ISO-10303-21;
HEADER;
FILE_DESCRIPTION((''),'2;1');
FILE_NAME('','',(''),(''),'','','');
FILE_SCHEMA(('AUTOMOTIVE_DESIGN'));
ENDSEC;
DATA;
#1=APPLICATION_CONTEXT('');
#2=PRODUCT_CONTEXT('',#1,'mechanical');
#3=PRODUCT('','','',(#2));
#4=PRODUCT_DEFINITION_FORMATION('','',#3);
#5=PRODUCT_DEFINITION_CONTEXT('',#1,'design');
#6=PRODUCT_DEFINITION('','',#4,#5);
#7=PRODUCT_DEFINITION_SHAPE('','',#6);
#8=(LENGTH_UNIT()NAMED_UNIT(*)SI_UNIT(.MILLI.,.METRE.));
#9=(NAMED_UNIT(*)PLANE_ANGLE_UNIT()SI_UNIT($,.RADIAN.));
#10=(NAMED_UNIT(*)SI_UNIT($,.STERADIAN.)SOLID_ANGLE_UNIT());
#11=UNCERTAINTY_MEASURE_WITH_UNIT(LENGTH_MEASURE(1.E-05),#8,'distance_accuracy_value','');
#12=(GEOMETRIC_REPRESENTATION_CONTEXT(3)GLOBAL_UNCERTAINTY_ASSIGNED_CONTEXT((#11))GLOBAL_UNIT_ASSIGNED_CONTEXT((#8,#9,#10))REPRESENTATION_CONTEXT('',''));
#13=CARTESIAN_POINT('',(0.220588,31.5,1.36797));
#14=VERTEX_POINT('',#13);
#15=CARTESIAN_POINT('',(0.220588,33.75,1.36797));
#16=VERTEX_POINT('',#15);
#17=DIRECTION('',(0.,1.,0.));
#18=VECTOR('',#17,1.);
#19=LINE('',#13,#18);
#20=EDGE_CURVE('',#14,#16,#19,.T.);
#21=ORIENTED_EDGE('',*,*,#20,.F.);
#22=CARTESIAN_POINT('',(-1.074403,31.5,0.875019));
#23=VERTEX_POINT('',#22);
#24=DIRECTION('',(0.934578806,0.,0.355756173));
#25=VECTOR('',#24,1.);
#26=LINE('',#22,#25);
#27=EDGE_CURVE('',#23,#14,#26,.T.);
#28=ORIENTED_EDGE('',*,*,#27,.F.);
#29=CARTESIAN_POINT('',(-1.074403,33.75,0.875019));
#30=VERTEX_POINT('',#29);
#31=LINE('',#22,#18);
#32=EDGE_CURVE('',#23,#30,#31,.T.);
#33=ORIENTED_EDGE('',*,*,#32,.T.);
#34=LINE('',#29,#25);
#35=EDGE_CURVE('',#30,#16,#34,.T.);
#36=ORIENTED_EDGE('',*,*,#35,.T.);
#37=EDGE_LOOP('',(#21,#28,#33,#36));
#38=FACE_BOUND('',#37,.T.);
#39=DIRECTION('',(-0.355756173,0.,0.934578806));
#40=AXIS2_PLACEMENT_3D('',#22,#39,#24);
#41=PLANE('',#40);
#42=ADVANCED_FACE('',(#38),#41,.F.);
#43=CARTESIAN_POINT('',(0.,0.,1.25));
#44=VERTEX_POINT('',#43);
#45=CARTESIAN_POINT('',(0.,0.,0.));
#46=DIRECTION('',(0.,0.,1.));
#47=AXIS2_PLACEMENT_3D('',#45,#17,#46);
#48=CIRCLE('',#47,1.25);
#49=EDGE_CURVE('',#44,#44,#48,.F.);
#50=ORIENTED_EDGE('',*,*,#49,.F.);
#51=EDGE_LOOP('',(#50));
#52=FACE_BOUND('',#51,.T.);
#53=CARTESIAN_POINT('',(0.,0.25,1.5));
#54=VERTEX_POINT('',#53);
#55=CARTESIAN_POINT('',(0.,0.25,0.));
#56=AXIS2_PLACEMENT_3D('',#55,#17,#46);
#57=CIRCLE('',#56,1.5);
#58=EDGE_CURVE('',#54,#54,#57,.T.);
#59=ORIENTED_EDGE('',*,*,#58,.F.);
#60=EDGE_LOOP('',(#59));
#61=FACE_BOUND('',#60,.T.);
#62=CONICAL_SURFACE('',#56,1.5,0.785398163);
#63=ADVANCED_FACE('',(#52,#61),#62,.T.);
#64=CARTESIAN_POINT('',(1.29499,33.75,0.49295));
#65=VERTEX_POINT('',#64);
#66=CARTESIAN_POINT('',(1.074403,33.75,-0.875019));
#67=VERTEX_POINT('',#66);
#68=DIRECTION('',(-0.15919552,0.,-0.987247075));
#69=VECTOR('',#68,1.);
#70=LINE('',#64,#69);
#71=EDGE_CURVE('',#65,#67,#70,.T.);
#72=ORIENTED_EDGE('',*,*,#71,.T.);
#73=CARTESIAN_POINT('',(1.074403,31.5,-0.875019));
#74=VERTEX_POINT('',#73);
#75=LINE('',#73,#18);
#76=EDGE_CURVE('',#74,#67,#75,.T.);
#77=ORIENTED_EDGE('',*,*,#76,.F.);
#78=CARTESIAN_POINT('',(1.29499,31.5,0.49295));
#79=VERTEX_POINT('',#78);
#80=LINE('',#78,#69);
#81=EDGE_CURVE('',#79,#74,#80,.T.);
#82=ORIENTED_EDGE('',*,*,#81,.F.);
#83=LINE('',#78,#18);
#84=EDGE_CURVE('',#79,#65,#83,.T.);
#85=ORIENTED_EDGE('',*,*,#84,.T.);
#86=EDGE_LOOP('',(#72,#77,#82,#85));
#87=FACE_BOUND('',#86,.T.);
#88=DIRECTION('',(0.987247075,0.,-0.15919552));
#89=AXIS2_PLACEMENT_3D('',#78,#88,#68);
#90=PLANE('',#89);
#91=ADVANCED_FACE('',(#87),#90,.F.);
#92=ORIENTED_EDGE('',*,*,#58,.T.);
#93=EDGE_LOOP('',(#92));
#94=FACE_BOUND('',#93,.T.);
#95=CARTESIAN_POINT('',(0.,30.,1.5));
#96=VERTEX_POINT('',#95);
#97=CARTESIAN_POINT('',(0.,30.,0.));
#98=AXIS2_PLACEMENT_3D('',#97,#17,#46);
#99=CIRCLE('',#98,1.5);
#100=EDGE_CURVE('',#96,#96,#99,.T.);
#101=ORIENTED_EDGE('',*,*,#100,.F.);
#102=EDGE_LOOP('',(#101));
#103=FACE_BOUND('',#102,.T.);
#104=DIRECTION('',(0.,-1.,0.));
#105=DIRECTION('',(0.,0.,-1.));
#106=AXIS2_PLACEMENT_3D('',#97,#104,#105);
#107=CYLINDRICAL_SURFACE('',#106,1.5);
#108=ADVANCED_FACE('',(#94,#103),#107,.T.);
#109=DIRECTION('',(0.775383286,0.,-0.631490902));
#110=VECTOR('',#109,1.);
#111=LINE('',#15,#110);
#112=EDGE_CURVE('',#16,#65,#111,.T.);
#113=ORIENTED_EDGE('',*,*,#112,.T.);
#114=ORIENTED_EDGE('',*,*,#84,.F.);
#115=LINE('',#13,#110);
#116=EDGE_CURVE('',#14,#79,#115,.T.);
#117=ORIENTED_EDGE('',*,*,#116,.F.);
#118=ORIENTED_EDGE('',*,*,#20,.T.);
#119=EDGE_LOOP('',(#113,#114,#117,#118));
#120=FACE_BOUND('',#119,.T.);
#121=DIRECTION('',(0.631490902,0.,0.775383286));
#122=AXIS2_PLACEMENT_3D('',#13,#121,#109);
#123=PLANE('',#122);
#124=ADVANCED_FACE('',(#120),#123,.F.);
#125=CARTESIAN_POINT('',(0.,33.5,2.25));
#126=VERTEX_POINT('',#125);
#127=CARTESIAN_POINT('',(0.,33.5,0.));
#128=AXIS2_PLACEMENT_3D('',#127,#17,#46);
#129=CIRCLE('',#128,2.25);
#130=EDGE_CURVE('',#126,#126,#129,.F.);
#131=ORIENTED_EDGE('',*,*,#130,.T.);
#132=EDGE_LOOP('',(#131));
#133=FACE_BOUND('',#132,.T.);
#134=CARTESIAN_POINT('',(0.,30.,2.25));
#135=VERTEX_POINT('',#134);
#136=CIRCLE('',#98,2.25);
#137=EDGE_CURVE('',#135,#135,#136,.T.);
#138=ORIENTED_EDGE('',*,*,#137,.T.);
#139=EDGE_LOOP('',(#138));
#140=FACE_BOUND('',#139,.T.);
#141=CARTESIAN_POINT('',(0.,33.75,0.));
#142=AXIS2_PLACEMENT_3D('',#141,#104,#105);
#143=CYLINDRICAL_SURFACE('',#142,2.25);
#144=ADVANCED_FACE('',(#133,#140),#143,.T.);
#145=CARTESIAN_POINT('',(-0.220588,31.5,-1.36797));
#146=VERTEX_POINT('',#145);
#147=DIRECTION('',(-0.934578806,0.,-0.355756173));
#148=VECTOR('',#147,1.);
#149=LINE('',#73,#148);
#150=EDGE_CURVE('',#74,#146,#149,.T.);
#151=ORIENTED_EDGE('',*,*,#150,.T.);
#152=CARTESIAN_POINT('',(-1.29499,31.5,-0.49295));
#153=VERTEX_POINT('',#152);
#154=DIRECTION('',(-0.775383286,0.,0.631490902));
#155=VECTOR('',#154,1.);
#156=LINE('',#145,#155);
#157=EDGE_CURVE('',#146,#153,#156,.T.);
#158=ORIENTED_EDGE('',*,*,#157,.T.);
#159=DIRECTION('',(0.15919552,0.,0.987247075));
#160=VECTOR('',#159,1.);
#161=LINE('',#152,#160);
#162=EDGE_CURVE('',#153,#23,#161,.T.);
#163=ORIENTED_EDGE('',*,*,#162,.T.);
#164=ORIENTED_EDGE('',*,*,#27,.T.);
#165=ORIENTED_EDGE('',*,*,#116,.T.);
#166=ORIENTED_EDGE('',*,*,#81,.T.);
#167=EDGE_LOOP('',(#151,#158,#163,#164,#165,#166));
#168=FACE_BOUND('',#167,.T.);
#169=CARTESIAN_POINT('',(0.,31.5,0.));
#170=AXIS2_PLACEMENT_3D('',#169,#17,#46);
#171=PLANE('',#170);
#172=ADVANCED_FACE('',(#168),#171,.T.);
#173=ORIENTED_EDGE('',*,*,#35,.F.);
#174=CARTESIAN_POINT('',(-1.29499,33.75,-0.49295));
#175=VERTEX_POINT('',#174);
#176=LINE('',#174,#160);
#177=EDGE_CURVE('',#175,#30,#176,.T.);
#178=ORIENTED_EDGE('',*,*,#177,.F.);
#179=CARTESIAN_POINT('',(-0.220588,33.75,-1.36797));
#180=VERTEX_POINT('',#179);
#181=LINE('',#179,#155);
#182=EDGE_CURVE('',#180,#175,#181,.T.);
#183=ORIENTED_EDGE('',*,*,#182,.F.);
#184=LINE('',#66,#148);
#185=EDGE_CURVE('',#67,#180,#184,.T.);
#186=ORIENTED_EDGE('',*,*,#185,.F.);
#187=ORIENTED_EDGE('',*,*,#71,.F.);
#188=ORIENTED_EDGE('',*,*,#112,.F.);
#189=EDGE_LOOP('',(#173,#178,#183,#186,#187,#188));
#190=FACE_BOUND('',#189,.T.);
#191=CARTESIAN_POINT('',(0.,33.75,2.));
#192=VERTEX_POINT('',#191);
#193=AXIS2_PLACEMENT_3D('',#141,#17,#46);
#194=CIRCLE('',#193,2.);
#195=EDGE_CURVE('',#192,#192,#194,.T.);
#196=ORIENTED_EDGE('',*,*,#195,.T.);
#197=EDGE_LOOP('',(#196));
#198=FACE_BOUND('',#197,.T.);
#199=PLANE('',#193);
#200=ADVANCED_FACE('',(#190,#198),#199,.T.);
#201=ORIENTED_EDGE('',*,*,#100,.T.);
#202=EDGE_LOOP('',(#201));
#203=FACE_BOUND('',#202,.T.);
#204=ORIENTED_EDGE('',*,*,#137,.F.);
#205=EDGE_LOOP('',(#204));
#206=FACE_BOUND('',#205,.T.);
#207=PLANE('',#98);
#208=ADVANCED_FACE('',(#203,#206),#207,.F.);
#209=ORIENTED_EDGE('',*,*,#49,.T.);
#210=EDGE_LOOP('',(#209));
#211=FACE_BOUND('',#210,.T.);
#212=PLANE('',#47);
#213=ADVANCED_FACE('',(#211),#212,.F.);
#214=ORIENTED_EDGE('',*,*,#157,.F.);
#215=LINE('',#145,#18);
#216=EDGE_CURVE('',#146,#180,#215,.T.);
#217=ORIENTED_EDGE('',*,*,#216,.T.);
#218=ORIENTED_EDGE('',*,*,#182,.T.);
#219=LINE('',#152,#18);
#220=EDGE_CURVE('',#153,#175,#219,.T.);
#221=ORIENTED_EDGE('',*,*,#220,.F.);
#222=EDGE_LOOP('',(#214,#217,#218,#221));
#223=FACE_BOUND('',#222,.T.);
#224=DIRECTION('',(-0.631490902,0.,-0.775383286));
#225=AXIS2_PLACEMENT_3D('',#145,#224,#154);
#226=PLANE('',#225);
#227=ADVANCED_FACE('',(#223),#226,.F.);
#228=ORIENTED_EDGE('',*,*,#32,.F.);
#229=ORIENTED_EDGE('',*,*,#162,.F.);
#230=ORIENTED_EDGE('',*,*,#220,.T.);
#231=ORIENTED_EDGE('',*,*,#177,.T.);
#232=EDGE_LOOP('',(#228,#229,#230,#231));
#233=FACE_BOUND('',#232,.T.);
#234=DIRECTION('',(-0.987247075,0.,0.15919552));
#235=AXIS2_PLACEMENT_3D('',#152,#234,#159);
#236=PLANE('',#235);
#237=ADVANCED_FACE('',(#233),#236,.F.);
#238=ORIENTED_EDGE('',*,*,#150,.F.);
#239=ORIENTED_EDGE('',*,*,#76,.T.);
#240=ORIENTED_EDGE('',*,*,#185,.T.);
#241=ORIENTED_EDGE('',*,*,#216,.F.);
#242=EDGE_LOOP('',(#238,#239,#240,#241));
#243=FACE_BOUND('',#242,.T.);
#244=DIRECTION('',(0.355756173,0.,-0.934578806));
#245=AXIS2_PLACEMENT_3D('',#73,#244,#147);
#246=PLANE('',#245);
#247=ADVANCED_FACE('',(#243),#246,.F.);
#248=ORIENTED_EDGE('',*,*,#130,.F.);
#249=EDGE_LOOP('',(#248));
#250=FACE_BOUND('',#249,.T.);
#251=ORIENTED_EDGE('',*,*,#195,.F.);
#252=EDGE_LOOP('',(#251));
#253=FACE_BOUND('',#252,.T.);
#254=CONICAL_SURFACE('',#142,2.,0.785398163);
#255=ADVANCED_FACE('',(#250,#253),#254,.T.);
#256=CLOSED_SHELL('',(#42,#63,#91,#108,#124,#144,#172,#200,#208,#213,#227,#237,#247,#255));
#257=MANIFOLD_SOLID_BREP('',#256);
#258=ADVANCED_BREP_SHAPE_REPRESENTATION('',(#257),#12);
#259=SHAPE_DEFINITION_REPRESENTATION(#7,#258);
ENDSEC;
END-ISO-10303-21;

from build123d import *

# Parameters (mm, degrees)
SKICA1_R                 = 1.5
P_IDAT_VYSUNUT_M1_DEPTH  = 30
SKICA2_R                 = 2.25
P_IDAT_VYSUNUT_M2_DEPTH  = 3.75
ODEBRAT_VYSUNUT_M1_DEPTH = 2.25
ZKOSEN_1_SIZE            = 0.25
ZKOSEN_2_SIZE            = 0.25


with BuildPart() as part:
    # Skica1 → Přidat vysunutím1 (new body)
    with BuildSketch(Plane(origin=(0, 0, 0), x_dir=(1, 0, 0), z_dir=(0, 1, 0))):
        with Locations(Location((0, 0, 0), (0, 0, 270))):
            Circle(SKICA1_R)
    extrude(amount=P_IDAT_VYSUNUT_M1_DEPTH)

    # Skica2 → Přidat vysunutím2 (add)
    with BuildSketch(Plane(origin=(0, 30, 0), x_dir=(1, 0, 0), z_dir=(0, 1, 0))):
        with Locations(Location((0, 0, 0), (0, 0, 270))):
            Circle(SKICA2_R)
    extrude(amount=P_IDAT_VYSUNUT_M2_DEPTH)

    # Skica3 → Odebrat vysunutím1 (cut)
    with BuildSketch(Plane(origin=(0, 33.75, 0), x_dir=(1, 0, 0), z_dir=(0, 1, 0))):
        Polygon((-1.074402598, -0.875019461), (0.220587783, -1.367969674), (1.294990381, -0.492950213), (1.074402598, 0.875019461), (-0.220587783, 1.367969674), (-1.294990381, 0.492950213), align=None)
    extrude(amount=-ODEBRAT_VYSUNUT_M1_DEPTH, mode=Mode.SUBTRACT)

    # Zkosení1
    zkosen_1_edges = [part.edges().sort_by_distance(p)[0] for p in [
        (0, 33.75, -2.25),
    ]]
    chamfer(zkosen_1_edges, length=ZKOSEN_1_SIZE)

    # Zkosení2
    zkosen_2_edges = [part.edges().sort_by_distance(p)[0] for p in [
        (0, 0, -1.5),
    ]]
    chamfer(zkosen_2_edges, length=ZKOSEN_2_SIZE)


solid = part.part
